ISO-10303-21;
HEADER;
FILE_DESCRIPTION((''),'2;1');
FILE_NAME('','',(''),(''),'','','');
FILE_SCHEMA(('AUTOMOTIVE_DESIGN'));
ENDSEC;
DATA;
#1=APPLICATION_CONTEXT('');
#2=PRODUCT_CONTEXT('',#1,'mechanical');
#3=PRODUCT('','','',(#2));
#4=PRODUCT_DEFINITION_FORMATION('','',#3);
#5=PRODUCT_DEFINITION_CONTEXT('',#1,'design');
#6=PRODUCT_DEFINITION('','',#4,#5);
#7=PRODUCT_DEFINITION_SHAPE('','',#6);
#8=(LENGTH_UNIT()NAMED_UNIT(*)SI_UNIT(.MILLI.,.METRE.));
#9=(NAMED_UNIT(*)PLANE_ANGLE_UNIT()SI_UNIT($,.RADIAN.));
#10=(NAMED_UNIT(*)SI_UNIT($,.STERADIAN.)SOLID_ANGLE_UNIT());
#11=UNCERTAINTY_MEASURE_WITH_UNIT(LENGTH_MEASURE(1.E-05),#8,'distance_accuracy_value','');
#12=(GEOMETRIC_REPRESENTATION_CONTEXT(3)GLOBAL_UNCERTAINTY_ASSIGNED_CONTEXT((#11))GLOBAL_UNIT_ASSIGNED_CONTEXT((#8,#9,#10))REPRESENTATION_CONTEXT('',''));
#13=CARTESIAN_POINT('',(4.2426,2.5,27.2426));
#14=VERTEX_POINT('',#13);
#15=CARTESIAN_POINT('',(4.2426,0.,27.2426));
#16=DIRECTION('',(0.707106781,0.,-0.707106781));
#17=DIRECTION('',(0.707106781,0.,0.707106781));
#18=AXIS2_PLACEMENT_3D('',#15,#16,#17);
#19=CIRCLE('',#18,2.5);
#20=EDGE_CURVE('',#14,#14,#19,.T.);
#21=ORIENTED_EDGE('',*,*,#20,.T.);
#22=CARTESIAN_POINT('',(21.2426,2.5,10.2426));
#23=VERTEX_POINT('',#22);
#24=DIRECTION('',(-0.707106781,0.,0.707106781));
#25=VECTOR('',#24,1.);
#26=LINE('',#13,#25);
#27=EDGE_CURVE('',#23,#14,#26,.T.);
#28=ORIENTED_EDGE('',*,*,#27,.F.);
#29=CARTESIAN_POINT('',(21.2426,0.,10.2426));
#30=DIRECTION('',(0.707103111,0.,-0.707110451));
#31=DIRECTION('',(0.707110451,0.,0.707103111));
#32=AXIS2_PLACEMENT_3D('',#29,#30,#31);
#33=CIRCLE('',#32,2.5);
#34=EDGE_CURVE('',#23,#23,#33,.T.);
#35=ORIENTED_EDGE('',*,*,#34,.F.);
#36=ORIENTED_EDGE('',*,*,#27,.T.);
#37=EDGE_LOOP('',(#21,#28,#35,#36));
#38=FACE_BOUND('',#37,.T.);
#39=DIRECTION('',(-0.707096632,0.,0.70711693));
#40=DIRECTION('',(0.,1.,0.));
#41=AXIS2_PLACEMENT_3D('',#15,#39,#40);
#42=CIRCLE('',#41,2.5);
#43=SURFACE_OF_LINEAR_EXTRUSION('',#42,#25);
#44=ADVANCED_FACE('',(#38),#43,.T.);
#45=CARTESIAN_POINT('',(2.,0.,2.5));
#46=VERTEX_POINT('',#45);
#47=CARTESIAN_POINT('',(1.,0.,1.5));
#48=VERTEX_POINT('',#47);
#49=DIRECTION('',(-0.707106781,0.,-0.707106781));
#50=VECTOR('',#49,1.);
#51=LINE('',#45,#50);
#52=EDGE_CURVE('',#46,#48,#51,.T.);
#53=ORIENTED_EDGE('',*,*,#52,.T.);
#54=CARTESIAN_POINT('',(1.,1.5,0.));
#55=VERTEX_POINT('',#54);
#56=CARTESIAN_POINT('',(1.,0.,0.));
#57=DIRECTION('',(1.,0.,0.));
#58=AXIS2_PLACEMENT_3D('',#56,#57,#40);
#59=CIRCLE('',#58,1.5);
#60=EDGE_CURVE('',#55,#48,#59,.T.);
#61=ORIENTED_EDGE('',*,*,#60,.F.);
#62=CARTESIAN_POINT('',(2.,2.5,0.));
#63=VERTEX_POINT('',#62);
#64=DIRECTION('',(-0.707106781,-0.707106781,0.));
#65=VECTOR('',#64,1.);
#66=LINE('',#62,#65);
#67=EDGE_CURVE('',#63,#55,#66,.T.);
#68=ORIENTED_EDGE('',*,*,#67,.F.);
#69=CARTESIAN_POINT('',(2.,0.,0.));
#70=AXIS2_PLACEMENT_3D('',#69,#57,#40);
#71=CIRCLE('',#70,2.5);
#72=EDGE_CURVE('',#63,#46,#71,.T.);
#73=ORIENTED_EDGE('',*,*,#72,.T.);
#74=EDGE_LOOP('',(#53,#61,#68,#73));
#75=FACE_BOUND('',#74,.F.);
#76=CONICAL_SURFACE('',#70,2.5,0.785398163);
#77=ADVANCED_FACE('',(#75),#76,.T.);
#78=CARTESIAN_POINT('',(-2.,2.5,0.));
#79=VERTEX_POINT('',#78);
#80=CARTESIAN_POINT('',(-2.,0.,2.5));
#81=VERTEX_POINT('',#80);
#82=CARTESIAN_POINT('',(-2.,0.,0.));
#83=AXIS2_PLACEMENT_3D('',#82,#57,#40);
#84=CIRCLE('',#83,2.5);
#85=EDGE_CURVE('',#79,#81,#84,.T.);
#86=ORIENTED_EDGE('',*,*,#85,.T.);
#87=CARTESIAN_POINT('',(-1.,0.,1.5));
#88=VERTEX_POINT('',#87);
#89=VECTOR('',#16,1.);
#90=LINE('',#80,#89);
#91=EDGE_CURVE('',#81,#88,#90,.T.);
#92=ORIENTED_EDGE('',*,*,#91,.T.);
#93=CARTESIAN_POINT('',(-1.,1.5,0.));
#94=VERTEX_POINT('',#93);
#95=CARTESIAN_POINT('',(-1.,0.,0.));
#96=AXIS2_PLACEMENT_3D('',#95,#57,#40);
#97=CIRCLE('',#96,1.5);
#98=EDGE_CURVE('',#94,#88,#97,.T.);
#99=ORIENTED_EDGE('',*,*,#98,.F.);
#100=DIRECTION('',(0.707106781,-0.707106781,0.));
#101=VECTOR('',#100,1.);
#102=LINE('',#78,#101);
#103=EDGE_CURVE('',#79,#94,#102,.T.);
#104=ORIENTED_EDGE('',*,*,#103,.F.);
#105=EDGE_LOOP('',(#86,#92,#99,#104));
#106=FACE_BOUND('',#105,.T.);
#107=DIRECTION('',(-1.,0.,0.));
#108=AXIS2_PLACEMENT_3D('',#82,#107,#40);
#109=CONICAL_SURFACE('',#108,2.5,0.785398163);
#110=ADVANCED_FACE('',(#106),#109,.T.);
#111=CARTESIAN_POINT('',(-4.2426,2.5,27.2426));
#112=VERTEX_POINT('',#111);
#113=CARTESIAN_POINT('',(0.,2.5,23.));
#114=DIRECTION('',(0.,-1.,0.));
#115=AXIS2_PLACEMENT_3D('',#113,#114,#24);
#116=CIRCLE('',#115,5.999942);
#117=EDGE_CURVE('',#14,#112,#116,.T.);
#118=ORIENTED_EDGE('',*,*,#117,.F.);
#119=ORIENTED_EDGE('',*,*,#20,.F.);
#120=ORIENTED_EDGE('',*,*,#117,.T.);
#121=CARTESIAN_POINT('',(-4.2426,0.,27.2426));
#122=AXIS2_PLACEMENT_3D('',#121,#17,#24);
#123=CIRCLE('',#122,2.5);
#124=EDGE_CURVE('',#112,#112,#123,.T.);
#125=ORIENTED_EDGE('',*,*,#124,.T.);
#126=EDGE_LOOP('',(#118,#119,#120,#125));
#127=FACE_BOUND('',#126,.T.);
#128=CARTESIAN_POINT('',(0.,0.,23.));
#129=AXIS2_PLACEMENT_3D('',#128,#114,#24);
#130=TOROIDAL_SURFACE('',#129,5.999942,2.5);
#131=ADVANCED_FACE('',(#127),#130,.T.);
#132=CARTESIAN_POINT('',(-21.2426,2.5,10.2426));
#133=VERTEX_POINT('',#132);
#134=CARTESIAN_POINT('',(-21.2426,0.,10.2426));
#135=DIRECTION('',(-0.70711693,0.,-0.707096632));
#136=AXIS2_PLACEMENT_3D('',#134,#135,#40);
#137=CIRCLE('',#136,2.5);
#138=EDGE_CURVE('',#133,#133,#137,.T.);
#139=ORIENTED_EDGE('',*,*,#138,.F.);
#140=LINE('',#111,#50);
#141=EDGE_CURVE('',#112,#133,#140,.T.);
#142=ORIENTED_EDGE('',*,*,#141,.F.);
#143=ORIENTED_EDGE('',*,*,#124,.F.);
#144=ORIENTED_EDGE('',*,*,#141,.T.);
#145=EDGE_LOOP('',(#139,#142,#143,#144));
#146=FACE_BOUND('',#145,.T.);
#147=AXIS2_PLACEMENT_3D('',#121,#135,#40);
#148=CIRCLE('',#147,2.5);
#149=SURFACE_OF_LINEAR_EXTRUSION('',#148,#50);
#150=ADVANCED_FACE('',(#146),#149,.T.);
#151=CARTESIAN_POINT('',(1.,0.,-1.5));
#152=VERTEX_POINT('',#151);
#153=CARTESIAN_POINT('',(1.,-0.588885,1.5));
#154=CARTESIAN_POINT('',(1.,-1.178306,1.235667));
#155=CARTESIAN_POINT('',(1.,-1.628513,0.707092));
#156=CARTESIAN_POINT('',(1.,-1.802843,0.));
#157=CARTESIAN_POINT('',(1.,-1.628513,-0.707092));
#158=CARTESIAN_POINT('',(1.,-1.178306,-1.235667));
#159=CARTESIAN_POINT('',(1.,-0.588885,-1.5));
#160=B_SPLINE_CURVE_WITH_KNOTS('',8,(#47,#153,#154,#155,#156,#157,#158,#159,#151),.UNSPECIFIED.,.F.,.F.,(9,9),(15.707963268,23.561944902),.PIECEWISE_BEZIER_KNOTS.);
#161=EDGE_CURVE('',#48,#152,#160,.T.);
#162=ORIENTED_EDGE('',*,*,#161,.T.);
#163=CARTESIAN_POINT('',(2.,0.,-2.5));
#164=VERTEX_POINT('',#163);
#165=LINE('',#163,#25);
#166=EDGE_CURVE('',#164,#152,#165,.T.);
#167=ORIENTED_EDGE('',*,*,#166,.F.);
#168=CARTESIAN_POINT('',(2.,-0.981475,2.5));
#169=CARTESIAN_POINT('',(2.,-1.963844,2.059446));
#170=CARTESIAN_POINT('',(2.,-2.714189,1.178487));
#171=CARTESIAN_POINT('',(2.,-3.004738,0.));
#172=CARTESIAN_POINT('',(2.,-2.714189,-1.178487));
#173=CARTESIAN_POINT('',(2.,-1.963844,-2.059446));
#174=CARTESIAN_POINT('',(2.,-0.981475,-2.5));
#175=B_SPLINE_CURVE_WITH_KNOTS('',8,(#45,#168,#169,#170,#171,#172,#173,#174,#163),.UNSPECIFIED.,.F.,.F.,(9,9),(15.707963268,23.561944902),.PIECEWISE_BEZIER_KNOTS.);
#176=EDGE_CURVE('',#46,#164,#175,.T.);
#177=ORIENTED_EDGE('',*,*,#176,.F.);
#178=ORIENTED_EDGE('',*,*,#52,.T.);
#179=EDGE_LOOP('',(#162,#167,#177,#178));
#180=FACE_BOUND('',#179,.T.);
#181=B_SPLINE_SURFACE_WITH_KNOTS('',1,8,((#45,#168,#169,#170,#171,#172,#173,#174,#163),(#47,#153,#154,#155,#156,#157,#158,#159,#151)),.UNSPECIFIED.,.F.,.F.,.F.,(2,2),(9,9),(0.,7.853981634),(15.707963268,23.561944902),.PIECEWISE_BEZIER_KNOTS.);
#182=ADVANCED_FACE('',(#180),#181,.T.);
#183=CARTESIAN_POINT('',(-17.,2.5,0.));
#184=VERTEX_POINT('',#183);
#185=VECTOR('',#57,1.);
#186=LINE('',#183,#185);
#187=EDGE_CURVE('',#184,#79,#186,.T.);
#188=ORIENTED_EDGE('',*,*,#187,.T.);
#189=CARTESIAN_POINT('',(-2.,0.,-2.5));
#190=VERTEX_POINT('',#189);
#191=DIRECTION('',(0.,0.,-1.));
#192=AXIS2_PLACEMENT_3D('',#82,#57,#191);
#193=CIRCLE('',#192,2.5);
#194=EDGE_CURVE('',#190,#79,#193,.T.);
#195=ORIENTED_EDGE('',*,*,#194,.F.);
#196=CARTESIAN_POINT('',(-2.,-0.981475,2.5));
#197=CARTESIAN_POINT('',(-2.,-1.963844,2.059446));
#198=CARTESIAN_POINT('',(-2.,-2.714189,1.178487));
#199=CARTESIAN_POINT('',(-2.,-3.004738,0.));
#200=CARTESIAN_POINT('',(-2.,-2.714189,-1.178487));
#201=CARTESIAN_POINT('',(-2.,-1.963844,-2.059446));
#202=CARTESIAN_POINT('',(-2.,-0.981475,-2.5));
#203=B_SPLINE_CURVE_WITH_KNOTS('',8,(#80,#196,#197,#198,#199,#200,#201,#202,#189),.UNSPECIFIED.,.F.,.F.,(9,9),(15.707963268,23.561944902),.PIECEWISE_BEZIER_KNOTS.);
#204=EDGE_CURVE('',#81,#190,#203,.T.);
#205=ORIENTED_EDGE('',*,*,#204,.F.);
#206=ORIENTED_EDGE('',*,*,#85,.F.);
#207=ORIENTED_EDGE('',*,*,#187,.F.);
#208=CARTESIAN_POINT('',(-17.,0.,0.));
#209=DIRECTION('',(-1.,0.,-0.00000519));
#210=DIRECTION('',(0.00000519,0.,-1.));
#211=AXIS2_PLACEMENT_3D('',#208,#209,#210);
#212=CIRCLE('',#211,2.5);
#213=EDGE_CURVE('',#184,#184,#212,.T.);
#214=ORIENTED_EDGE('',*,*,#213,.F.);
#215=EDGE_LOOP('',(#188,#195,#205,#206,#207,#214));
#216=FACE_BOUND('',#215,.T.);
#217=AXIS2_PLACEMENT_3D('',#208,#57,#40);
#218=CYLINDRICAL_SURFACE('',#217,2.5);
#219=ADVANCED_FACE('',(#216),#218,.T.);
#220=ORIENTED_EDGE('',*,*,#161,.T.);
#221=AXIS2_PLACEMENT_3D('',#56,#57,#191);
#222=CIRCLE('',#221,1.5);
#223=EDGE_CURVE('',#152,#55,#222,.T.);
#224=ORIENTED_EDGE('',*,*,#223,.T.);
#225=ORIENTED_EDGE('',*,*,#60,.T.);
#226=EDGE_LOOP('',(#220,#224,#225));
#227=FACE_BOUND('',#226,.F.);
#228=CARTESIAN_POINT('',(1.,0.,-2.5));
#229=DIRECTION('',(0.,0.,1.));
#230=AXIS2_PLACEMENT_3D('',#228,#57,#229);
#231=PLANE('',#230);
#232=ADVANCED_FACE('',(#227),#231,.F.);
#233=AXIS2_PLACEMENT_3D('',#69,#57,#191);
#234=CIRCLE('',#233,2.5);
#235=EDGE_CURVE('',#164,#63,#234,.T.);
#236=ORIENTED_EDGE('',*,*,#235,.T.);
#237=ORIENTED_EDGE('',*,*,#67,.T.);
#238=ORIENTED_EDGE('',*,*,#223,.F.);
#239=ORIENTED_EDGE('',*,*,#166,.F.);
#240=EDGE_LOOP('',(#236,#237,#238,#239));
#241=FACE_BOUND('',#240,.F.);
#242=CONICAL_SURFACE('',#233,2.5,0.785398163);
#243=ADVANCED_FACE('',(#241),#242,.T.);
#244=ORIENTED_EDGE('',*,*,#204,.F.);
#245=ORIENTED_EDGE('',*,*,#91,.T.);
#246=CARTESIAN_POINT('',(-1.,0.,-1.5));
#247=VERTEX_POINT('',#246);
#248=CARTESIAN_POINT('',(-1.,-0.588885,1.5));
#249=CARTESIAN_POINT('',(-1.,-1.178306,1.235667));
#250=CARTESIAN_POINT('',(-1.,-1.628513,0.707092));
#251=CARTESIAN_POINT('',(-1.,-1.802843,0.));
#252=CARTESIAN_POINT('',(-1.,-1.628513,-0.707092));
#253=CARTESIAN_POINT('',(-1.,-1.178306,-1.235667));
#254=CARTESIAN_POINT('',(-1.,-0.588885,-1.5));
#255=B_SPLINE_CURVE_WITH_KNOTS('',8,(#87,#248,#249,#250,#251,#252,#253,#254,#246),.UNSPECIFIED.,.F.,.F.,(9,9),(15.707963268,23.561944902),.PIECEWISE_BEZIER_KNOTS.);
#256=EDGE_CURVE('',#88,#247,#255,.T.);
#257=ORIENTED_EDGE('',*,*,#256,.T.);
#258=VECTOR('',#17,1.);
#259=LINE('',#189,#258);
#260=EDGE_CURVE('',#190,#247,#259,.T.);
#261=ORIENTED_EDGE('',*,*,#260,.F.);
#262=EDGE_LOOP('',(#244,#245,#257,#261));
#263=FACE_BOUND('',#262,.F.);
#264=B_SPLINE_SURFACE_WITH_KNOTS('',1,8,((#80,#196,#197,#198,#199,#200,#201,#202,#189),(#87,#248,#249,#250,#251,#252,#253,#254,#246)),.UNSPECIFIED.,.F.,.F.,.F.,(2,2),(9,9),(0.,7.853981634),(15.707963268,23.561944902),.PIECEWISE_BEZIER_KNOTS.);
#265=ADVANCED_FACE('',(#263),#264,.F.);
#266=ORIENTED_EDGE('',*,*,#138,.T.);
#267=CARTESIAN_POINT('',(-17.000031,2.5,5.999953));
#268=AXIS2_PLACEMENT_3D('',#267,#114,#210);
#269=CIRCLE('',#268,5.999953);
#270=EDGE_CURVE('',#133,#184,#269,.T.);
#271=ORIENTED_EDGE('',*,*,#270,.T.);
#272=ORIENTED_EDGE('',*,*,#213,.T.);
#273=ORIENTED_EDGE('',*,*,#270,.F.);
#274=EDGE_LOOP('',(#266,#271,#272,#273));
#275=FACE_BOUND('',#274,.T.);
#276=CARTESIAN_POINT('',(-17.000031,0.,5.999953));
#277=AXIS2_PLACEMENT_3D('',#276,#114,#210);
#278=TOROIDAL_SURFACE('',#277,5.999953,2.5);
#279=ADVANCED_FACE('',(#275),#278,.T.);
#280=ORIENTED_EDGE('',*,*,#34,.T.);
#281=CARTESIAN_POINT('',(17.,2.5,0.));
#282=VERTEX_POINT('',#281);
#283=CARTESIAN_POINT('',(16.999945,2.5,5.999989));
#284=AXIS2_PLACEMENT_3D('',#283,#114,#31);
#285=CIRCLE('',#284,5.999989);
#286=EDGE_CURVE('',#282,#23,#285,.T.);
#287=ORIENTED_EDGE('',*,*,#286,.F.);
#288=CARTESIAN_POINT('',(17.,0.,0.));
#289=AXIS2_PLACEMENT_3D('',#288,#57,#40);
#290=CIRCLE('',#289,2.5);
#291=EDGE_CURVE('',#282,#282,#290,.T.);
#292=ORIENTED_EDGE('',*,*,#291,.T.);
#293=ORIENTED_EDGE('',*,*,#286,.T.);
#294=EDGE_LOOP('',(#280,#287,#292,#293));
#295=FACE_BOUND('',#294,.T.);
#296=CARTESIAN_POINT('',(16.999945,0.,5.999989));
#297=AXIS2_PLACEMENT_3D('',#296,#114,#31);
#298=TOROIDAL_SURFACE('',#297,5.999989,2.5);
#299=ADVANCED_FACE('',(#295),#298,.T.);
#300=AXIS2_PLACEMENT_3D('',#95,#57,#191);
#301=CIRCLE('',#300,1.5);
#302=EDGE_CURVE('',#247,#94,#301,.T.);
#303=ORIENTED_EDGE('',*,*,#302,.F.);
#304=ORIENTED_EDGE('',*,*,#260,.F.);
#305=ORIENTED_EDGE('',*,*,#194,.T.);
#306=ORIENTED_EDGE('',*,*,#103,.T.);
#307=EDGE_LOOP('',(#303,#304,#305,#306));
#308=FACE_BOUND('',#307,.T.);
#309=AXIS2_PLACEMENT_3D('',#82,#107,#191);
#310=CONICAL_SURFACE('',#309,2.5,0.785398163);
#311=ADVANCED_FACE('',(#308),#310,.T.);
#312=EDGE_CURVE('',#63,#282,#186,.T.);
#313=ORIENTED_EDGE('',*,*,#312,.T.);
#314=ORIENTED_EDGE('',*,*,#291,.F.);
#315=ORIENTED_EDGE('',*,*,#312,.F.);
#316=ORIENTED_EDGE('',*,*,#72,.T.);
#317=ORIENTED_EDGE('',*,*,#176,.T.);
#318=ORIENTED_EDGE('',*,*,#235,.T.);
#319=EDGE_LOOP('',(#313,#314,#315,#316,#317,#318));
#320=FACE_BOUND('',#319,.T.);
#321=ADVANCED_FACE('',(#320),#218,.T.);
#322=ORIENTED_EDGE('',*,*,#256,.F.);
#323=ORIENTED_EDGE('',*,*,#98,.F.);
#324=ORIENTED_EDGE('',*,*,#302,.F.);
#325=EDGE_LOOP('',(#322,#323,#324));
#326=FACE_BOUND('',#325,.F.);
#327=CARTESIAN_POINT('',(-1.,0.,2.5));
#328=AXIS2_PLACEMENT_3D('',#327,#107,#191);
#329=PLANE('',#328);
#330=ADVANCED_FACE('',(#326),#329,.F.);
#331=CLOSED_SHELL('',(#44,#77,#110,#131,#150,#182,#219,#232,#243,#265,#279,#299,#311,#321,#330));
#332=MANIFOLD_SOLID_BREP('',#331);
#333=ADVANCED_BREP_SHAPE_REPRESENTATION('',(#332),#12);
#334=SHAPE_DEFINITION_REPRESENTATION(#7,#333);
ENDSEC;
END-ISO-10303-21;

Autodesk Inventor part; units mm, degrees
ref_plane "YZ Plane" through (0, 0, 0) normal (1, 0, 0) x (0, 1, 0)
ref_plane "XZ Plane" through (0, 0, 0) normal (0, 1, 0) x (-1, 0, 0)
ref_plane "XY Plane" through (0, 0, 0) normal (0, 0, 1) x (1, 0, 0)
sketch "Náčrt2" plane through (0, 0, 0) normal (0, 1, 0) x (-1, 0, 0)
  line L0 (-15, 3.4854) -> (17, 3.4854) construction
  line L1 (17, 3.4854) -> (17, 9.4853) construction
  line L2 (17, 9.4853) -> (-15, 9.4853) construction
  line L3 (20.5, 23.4853) -> (39.8276, 23.4853) construction
  line L4 (20.5, 23.4853) -> (20.5, 35.0341) construction
  line L5 (4.2426, 27.2426) -> (21.2426, 10.2426)
  line L6 (17, 0) -> (-17, 0)
  line L7 (-4.2426, 27.2426) -> (-21.2426, 10.2426)
  line L8 (0, 9.4853) -> (0, 31.4853) construction
  arc A0 (4.2426, 27.2426) -> (-4.2426, 27.2426) centre (0, 23) ccw
  arc A1 (17, 0) -> (21.2426, 10.2426) centre (17, 6) ccw
  arc A2 (-21.2426, 10.2426) -> (-17, 0) centre (-17, 6) ccw
  line L9 (19.1213, 8.1213) -> (2.1213, 25.1213) construction
  arc A3 (2.1213, 25.1213) -> (-2.1213, 25.1213) centre (0, 23) ccw construction
  line L10 (-2.1213, 25.1213) -> (-19.1213, 8.1213) construction
  arc A4 (-19.1213, 8.1213) -> (-17, 3) centre (-17, 6) ccw construction
  line L11 (-17, 3) -> (17, 3) construction
  arc A5 (17, 3) -> (19.1213, 8.1213) centre (17, 6) ccw construction
  line L12 (23.364, 12.364) -> (6.364, 29.364) construction
  arc A6 (6.364, 29.364) -> (-6.364, 29.364) centre (0, 23) ccw construction
  line L13 (-6.364, 29.364) -> (-23.364, 12.364) construction
  arc A7 (-23.364, 12.364) -> (-17, -3) centre (-17, 6) ccw construction
  line L14 (-17, -3) -> (17, -3) construction
  arc A8 (17, -3) -> (23.364, 12.364) centre (17, 6) ccw construction
  circle A9 centre (0, 20.4853) radius 3 construction
  line L15 (0, 9.4853) -> (0, 0) construction
  line L16 (36.2885, 20.7337) -> (33.8584, 23.4853) construction
  line L17 (0, 20.4853) -> (20.2426, 20.4853) construction
  line L18 (-15, 3.4854) -> (-15, 9.4853) construction
  point P0 (0, 0)
  dimension "d5" = 45
  dimension "d6" = 45
  dimension "d7" = 6
  dimension "d8" = 3
  dimension "d9" = 3
  dimension "d10" = 6
  dimension "d12" = 32
  dimension "d13" = 5.9999
  dimension "d23" = 20.5
  dimension "d26" = 34
  dimension "d27" = 14
  dimension "d28" = 3
sketch "Náčrt3" plane through (0, 0, 0) normal (1, 0, 0) x (0, 1, 0)
  circle A0 centre (0, 0) radius 2.5
  dimension "d14" = 5
sweep "Tažení1" add profiles "Náčrt3" path "Náčrt2"
sketch "Náčrt4" plane through (0, 0, 0) normal (0, 1, 0) x (-1, 0, 0)
  line L0 (17, -2.5) -> (17, 2.5) projected
  line L1 (-17, -2.5) -> (-17, 2.5) projected
  line L2 (-17, 2.5) -> (17, 2.5) projected
  line L3 (-17, -2.5) -> (17, -2.5) projected
  line L4 (-1, 2.5) -> (1, 2.5)
  line L5 (1, 2.5) -> (1, -2.5)
  line L6 (1, -2.5) -> (-1, -2.5)
  line L7 (-1, -2.5) -> (-1, 2.5)
  point P0 (0, 0)
  point P1 (0, 2.5)
  point P2 (0, 2.5)
  point P3 (0, -2.5)
  point P4 (0, -2.5)
  dimension "d17" = 2
extrude "Vysunutí1" cut sketch "Náčrt4" along normal through all both and the other way through all contours L3 L7 L2 L5
chamfer "Zkosení1" distance 1 angle 45 2 edges at (-1, -2.5, 0) (1, -2.5, 0)
properties part number "DD_KVD_002_12" material "Nerezová ocel"
